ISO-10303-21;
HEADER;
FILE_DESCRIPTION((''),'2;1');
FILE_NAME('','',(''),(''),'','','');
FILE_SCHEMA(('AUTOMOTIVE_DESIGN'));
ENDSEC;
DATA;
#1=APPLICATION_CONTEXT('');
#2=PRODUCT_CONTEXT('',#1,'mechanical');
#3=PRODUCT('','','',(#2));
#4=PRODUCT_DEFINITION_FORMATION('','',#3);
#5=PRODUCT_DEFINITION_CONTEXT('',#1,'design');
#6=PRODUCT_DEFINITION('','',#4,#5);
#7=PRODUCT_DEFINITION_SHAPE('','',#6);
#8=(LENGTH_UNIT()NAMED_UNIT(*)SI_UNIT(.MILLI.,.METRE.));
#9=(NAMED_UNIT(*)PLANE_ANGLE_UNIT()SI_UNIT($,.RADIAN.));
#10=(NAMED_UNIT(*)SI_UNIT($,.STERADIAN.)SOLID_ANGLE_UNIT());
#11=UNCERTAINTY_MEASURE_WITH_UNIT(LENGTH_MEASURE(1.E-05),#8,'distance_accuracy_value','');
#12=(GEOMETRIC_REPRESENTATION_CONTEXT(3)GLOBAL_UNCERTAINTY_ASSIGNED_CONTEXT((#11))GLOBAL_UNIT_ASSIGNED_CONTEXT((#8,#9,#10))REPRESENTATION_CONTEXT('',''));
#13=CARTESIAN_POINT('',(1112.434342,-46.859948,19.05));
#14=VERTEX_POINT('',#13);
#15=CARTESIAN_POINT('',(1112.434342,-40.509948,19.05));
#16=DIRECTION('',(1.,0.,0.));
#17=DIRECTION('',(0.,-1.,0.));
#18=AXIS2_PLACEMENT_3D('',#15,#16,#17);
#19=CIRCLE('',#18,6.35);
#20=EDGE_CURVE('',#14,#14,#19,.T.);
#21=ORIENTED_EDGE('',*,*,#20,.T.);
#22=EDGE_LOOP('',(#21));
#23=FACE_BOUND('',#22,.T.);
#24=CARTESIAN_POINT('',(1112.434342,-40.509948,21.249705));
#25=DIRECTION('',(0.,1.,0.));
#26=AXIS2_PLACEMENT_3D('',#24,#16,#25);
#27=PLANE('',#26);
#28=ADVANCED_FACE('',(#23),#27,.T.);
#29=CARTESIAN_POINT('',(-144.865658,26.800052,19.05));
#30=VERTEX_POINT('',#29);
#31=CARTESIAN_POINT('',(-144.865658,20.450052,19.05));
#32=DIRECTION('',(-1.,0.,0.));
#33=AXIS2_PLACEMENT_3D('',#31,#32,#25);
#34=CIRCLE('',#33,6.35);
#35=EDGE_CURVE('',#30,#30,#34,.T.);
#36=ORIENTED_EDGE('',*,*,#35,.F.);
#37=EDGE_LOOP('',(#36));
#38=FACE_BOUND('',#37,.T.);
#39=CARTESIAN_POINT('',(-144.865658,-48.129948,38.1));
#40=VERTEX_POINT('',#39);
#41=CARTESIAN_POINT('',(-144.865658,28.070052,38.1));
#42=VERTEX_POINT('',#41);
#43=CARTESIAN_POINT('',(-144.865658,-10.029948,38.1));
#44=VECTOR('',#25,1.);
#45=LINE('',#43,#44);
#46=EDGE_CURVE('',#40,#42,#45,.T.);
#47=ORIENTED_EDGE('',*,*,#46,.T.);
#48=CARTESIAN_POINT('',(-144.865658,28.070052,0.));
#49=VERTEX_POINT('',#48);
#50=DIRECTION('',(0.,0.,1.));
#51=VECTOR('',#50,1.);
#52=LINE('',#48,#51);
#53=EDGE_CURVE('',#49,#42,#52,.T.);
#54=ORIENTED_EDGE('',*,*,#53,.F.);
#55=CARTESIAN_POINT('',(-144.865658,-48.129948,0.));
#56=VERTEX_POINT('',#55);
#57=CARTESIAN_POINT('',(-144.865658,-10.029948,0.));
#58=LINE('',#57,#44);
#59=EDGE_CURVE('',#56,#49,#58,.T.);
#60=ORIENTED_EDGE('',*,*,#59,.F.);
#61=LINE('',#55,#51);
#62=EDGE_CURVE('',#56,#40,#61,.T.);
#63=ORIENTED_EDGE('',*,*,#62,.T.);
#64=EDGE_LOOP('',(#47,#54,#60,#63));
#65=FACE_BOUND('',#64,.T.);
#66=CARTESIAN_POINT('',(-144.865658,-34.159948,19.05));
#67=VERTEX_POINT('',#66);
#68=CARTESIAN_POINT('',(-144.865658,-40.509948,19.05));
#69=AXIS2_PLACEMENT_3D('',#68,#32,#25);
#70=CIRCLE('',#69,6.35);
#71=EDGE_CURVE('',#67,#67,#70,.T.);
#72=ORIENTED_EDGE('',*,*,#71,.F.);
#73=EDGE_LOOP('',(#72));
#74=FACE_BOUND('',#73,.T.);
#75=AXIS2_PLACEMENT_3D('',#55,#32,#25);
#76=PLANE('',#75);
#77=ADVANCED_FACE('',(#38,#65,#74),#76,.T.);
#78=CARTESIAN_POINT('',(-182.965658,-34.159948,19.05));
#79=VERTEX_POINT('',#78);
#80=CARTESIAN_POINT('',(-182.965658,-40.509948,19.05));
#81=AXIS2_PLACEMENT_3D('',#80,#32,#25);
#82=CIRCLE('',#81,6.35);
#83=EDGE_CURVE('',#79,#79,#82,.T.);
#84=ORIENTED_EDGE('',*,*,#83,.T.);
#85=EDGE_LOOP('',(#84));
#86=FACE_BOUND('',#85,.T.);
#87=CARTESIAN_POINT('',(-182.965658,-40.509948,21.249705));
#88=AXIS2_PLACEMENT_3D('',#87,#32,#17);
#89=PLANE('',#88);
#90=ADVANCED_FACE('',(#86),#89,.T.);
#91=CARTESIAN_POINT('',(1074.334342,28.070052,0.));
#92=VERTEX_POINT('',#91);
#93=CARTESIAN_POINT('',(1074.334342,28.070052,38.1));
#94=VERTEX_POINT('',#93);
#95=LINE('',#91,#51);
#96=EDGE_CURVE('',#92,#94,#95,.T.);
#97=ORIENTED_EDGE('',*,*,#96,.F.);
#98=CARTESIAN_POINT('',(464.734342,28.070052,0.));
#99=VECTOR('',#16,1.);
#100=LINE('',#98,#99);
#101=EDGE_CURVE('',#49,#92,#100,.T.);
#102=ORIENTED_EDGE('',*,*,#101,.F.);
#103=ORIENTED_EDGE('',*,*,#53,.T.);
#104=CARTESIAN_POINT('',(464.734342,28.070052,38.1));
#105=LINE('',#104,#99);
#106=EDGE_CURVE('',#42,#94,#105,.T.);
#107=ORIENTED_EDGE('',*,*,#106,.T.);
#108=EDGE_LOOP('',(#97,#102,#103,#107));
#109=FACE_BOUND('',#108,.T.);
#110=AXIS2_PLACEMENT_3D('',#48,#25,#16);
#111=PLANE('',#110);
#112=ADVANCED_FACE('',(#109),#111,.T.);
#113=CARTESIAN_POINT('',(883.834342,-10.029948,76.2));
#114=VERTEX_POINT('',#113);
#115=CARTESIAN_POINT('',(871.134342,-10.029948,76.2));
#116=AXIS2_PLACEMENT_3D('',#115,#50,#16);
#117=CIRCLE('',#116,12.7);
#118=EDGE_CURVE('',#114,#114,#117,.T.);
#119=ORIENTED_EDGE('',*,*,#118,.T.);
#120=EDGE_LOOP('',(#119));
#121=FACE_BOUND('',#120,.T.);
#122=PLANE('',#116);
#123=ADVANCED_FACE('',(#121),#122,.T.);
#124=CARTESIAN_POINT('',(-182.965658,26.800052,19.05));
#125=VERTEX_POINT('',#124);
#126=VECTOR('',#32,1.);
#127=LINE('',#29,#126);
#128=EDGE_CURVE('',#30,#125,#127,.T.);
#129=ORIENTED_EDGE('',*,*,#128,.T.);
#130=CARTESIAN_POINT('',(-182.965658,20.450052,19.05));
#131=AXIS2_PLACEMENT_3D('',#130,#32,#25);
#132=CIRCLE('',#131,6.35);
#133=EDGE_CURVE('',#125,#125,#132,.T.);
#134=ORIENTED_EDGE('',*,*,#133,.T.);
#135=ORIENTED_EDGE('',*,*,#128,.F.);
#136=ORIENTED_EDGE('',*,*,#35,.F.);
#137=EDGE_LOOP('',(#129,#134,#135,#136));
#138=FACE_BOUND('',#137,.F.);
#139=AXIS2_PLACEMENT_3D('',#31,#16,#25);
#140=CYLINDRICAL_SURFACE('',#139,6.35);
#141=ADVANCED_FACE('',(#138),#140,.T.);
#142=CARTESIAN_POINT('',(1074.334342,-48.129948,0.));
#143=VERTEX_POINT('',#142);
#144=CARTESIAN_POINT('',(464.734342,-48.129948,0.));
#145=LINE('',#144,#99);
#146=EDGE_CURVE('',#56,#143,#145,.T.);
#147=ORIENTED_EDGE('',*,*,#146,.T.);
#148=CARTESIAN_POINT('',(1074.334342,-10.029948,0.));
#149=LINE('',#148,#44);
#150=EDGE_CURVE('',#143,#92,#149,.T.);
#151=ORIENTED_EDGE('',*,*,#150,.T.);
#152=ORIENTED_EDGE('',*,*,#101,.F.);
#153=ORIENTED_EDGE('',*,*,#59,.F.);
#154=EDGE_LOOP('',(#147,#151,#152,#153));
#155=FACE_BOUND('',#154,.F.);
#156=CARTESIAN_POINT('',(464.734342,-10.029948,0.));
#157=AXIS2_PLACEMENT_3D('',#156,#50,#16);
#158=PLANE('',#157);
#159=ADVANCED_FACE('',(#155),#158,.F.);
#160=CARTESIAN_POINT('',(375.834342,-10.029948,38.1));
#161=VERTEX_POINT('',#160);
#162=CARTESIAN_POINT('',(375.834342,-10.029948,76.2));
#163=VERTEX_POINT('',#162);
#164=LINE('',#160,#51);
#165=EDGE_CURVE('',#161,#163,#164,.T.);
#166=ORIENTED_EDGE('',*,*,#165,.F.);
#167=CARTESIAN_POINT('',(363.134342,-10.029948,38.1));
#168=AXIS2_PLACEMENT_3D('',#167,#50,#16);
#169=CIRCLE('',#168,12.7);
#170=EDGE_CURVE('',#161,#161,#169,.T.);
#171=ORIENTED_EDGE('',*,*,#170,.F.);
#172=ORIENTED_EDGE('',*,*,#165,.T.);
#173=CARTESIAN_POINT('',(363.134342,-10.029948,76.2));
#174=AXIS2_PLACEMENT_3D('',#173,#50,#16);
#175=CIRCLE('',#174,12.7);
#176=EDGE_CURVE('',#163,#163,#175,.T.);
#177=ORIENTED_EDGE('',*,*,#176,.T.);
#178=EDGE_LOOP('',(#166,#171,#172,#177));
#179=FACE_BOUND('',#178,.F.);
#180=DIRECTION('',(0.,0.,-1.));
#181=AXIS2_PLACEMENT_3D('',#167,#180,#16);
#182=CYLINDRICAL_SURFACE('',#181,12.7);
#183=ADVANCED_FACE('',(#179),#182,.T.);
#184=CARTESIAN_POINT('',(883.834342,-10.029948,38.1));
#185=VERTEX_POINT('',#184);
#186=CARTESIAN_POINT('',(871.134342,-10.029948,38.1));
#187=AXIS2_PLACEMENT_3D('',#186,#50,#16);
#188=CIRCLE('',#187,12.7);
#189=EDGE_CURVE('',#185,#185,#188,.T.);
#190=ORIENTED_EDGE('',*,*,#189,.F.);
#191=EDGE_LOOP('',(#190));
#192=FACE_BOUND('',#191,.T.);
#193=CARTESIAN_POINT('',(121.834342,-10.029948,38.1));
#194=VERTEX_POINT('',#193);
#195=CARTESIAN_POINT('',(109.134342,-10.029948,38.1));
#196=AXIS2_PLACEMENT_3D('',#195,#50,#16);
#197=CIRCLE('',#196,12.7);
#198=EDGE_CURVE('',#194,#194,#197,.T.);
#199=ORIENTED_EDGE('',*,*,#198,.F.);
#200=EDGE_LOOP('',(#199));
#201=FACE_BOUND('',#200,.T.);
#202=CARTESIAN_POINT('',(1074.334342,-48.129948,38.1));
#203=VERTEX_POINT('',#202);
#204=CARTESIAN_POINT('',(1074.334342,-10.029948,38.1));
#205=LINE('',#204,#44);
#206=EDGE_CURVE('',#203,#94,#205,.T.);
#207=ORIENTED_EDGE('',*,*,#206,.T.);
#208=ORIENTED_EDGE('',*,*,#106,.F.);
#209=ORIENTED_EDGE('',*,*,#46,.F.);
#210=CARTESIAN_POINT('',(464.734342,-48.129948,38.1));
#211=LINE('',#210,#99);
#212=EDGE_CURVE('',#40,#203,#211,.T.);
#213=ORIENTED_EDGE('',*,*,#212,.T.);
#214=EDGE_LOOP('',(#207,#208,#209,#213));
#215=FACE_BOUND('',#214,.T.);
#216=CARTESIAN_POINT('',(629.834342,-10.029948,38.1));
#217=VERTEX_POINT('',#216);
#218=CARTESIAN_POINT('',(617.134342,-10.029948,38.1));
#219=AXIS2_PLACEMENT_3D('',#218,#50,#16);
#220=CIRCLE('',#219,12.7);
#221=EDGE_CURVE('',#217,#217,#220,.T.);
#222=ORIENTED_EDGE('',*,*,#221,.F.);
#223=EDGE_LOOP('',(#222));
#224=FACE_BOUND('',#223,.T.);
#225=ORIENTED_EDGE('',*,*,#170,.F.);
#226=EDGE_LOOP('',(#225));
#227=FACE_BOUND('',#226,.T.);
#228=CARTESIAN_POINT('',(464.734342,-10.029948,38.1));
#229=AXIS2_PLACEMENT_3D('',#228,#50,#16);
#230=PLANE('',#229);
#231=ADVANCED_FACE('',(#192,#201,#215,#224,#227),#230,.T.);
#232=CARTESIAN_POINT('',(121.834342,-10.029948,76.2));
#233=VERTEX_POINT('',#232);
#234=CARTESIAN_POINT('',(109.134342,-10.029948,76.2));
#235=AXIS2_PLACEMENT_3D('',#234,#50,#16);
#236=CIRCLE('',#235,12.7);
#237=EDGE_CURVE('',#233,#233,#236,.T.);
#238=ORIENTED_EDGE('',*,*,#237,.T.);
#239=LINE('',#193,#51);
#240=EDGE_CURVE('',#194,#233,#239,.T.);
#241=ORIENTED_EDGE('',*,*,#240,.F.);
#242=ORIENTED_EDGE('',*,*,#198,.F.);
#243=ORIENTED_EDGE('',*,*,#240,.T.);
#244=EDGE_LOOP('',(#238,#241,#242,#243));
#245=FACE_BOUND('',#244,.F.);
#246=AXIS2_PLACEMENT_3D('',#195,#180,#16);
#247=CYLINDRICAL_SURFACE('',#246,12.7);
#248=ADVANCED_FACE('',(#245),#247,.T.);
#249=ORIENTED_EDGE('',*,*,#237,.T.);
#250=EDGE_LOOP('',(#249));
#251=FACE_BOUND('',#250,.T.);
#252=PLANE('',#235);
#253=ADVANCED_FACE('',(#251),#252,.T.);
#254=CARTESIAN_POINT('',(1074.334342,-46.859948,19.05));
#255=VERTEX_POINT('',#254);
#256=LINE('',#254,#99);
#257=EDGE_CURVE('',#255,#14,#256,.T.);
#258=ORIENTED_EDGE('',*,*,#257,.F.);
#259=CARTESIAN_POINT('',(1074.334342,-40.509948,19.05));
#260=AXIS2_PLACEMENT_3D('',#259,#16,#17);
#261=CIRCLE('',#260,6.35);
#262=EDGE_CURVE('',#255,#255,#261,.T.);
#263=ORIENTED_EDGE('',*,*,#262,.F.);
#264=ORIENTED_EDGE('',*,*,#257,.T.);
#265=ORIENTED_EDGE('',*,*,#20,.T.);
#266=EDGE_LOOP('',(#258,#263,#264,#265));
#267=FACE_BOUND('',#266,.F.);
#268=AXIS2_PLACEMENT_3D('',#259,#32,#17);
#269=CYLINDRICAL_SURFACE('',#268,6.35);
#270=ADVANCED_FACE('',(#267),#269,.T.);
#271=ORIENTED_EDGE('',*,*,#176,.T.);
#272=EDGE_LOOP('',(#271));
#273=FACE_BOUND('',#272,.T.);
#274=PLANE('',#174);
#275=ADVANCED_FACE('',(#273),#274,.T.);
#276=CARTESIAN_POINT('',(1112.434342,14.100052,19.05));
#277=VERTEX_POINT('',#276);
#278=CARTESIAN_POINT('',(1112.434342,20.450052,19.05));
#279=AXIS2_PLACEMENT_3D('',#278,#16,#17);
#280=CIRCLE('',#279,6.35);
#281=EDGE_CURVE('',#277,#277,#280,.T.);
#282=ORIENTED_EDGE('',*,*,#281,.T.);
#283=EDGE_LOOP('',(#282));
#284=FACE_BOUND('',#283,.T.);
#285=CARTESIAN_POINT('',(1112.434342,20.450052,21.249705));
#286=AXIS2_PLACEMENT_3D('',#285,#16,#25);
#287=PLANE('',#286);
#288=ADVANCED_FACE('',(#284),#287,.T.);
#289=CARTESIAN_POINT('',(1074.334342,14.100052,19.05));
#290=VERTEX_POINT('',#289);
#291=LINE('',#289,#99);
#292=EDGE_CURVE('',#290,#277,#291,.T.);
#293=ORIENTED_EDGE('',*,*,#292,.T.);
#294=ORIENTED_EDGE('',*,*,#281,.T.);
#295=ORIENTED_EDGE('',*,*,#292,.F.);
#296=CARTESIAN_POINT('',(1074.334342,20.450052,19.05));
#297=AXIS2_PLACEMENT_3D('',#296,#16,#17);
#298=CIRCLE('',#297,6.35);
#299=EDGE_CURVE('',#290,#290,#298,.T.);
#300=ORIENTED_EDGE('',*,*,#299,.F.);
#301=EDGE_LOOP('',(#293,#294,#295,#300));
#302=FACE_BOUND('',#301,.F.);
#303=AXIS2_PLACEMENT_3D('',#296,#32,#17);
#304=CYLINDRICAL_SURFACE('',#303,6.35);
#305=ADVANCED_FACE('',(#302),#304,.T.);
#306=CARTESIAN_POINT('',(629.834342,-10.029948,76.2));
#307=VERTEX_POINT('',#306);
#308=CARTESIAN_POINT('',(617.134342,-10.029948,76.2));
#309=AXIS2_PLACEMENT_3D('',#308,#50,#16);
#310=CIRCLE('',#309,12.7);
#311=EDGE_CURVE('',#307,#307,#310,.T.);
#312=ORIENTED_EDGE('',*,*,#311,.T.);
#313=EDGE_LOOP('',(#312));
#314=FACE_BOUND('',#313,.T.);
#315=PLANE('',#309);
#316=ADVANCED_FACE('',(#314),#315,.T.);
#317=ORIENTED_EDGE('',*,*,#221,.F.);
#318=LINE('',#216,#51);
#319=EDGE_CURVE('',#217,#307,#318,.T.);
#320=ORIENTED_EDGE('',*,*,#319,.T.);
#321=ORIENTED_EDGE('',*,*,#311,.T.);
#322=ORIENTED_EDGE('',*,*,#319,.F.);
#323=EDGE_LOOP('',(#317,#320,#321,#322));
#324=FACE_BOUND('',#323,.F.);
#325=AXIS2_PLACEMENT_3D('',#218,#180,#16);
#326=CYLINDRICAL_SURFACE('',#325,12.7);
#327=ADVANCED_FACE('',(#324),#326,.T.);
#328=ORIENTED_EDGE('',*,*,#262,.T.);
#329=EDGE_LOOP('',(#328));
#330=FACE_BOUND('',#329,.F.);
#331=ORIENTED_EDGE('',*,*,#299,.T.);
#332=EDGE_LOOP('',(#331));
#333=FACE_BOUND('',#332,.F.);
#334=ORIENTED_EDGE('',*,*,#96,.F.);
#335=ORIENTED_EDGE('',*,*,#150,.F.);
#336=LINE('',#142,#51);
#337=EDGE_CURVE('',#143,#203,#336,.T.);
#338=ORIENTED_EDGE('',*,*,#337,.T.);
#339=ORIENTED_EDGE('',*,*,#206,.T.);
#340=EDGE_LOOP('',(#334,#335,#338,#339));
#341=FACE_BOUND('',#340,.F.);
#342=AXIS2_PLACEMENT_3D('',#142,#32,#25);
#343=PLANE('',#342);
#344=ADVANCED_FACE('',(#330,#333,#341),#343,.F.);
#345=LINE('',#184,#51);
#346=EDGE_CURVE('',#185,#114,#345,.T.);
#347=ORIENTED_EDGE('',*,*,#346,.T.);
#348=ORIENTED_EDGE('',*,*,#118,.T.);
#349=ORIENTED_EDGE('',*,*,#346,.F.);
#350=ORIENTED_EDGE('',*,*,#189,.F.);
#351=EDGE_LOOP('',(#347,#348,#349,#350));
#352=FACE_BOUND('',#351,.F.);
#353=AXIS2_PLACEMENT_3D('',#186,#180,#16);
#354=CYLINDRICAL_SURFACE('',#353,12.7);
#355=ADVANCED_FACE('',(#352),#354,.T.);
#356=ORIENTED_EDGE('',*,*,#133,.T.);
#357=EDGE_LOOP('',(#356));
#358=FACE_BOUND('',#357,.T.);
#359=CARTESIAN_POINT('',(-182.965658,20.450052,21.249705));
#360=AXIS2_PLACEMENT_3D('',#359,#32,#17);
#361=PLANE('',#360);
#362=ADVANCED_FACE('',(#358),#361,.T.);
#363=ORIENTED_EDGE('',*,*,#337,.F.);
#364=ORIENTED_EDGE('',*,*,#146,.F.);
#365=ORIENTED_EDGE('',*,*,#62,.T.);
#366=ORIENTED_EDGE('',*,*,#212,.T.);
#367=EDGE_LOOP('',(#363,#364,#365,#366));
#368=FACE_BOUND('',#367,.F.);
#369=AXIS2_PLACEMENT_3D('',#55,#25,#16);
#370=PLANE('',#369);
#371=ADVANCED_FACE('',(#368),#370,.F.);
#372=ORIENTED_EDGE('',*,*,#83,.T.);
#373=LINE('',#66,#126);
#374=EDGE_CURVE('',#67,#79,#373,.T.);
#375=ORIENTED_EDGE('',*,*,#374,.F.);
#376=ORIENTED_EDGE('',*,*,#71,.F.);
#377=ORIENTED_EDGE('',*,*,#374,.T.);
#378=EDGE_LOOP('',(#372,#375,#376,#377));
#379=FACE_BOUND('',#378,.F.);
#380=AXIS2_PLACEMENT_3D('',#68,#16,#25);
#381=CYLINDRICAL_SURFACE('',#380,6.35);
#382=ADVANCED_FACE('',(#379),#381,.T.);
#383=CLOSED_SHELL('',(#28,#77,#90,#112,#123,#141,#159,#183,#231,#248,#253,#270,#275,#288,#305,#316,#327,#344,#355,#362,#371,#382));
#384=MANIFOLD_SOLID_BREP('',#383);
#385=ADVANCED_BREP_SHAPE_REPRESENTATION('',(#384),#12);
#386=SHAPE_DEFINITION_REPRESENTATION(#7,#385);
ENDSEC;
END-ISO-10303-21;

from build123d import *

# Parameters (mm, degrees)
F0_W     = 1219.2
F0_H     = 76.2
F1_DEPTH = 38.1
F2_R     = 12.7
F3_DEPTH = 38.1
F5_DEPTH = 38.1
F7_DEPTH = 38.1


with BuildPart() as f1:
    # F0 (on Top) → F1 (new body)
    with BuildSketch(Plane.XY):
        with Locations((464.734342, -10.029948)):
            Rectangle(F0_W, F0_H)
    extrude(amount=F1_DEPTH)

    # F2 (on face) → F3 (join)
    with BuildSketch(Plane.XY.offset(38.1)):
        with Locations((109.134342, -10.029948)):
            Circle(F2_R)
        with Locations((363.134342, -10.029948)):
            Circle(F2_R)
        with Locations((617.134342, -10.029948)):
            Circle(F2_R)
        with Locations((871.134342, -10.029948)):
            Circle(F2_R)
    extrude(amount=F3_DEPTH)

    # F4 (on face) → F5 (join)
    with BuildSketch(Plane(origin=(-144.865658, 0, 0), x_dir=(0, -1, 0), z_dir=(-1, 0, 0))):
        with BuildLine():
            ThreePointArc((-14.100052, 19.05), (-20.450052, 25.4), (-26.800052, 19.05))
            Line((-26.800052, 19.05), (-14.100052, 19.05))
        make_face()
        with BuildLine():
            ThreePointArc((46.859948, 19.05), (40.509948, 25.4), (34.159948, 19.05))
            Line((34.159948, 19.05), (46.859948, 19.05))
        make_face()
        with BuildLine():
            Line((46.859948, 19.05), (34.159948, 19.05))
            ThreePointArc((34.159948, 19.05), (40.509948, 12.7), (46.859948, 19.05))
        make_face()
        with BuildLine():
            Line((-14.100052, 19.05), (-26.800052, 19.05))
            ThreePointArc((-26.800052, 19.05), (-20.450052, 12.7), (-14.100052, 19.05))
        make_face()
    extrude(amount=F5_DEPTH)

    # F6 (on face) → F7 (join)
    with BuildSketch(Plane.YZ.offset(1074.334342)):
        with BuildLine():
            ThreePointArc((-34.159948, 19.05), (-40.509948, 25.4), (-46.859948, 19.05))
            Line((-46.859948, 19.05), (-34.159948, 19.05))
        make_face()
        with BuildLine():
            ThreePointArc((26.800052, 19.05), (20.450052, 25.4), (14.100052, 19.05))
            Line((14.100052, 19.05), (26.800052, 19.05))
        make_face()
        with BuildLine():
            Line((26.800052, 19.05), (14.100052, 19.05))
            ThreePointArc((14.100052, 19.05), (20.450052, 12.7), (26.800052, 19.05))
        make_face()
        with BuildLine():
            Line((-34.159948, 19.05), (-46.859948, 19.05))
            ThreePointArc((-46.859948, 19.05), (-40.509948, 12.7), (-34.159948, 19.05))
        make_face()
    extrude(amount=F7_DEPTH)


solid = f1.part
